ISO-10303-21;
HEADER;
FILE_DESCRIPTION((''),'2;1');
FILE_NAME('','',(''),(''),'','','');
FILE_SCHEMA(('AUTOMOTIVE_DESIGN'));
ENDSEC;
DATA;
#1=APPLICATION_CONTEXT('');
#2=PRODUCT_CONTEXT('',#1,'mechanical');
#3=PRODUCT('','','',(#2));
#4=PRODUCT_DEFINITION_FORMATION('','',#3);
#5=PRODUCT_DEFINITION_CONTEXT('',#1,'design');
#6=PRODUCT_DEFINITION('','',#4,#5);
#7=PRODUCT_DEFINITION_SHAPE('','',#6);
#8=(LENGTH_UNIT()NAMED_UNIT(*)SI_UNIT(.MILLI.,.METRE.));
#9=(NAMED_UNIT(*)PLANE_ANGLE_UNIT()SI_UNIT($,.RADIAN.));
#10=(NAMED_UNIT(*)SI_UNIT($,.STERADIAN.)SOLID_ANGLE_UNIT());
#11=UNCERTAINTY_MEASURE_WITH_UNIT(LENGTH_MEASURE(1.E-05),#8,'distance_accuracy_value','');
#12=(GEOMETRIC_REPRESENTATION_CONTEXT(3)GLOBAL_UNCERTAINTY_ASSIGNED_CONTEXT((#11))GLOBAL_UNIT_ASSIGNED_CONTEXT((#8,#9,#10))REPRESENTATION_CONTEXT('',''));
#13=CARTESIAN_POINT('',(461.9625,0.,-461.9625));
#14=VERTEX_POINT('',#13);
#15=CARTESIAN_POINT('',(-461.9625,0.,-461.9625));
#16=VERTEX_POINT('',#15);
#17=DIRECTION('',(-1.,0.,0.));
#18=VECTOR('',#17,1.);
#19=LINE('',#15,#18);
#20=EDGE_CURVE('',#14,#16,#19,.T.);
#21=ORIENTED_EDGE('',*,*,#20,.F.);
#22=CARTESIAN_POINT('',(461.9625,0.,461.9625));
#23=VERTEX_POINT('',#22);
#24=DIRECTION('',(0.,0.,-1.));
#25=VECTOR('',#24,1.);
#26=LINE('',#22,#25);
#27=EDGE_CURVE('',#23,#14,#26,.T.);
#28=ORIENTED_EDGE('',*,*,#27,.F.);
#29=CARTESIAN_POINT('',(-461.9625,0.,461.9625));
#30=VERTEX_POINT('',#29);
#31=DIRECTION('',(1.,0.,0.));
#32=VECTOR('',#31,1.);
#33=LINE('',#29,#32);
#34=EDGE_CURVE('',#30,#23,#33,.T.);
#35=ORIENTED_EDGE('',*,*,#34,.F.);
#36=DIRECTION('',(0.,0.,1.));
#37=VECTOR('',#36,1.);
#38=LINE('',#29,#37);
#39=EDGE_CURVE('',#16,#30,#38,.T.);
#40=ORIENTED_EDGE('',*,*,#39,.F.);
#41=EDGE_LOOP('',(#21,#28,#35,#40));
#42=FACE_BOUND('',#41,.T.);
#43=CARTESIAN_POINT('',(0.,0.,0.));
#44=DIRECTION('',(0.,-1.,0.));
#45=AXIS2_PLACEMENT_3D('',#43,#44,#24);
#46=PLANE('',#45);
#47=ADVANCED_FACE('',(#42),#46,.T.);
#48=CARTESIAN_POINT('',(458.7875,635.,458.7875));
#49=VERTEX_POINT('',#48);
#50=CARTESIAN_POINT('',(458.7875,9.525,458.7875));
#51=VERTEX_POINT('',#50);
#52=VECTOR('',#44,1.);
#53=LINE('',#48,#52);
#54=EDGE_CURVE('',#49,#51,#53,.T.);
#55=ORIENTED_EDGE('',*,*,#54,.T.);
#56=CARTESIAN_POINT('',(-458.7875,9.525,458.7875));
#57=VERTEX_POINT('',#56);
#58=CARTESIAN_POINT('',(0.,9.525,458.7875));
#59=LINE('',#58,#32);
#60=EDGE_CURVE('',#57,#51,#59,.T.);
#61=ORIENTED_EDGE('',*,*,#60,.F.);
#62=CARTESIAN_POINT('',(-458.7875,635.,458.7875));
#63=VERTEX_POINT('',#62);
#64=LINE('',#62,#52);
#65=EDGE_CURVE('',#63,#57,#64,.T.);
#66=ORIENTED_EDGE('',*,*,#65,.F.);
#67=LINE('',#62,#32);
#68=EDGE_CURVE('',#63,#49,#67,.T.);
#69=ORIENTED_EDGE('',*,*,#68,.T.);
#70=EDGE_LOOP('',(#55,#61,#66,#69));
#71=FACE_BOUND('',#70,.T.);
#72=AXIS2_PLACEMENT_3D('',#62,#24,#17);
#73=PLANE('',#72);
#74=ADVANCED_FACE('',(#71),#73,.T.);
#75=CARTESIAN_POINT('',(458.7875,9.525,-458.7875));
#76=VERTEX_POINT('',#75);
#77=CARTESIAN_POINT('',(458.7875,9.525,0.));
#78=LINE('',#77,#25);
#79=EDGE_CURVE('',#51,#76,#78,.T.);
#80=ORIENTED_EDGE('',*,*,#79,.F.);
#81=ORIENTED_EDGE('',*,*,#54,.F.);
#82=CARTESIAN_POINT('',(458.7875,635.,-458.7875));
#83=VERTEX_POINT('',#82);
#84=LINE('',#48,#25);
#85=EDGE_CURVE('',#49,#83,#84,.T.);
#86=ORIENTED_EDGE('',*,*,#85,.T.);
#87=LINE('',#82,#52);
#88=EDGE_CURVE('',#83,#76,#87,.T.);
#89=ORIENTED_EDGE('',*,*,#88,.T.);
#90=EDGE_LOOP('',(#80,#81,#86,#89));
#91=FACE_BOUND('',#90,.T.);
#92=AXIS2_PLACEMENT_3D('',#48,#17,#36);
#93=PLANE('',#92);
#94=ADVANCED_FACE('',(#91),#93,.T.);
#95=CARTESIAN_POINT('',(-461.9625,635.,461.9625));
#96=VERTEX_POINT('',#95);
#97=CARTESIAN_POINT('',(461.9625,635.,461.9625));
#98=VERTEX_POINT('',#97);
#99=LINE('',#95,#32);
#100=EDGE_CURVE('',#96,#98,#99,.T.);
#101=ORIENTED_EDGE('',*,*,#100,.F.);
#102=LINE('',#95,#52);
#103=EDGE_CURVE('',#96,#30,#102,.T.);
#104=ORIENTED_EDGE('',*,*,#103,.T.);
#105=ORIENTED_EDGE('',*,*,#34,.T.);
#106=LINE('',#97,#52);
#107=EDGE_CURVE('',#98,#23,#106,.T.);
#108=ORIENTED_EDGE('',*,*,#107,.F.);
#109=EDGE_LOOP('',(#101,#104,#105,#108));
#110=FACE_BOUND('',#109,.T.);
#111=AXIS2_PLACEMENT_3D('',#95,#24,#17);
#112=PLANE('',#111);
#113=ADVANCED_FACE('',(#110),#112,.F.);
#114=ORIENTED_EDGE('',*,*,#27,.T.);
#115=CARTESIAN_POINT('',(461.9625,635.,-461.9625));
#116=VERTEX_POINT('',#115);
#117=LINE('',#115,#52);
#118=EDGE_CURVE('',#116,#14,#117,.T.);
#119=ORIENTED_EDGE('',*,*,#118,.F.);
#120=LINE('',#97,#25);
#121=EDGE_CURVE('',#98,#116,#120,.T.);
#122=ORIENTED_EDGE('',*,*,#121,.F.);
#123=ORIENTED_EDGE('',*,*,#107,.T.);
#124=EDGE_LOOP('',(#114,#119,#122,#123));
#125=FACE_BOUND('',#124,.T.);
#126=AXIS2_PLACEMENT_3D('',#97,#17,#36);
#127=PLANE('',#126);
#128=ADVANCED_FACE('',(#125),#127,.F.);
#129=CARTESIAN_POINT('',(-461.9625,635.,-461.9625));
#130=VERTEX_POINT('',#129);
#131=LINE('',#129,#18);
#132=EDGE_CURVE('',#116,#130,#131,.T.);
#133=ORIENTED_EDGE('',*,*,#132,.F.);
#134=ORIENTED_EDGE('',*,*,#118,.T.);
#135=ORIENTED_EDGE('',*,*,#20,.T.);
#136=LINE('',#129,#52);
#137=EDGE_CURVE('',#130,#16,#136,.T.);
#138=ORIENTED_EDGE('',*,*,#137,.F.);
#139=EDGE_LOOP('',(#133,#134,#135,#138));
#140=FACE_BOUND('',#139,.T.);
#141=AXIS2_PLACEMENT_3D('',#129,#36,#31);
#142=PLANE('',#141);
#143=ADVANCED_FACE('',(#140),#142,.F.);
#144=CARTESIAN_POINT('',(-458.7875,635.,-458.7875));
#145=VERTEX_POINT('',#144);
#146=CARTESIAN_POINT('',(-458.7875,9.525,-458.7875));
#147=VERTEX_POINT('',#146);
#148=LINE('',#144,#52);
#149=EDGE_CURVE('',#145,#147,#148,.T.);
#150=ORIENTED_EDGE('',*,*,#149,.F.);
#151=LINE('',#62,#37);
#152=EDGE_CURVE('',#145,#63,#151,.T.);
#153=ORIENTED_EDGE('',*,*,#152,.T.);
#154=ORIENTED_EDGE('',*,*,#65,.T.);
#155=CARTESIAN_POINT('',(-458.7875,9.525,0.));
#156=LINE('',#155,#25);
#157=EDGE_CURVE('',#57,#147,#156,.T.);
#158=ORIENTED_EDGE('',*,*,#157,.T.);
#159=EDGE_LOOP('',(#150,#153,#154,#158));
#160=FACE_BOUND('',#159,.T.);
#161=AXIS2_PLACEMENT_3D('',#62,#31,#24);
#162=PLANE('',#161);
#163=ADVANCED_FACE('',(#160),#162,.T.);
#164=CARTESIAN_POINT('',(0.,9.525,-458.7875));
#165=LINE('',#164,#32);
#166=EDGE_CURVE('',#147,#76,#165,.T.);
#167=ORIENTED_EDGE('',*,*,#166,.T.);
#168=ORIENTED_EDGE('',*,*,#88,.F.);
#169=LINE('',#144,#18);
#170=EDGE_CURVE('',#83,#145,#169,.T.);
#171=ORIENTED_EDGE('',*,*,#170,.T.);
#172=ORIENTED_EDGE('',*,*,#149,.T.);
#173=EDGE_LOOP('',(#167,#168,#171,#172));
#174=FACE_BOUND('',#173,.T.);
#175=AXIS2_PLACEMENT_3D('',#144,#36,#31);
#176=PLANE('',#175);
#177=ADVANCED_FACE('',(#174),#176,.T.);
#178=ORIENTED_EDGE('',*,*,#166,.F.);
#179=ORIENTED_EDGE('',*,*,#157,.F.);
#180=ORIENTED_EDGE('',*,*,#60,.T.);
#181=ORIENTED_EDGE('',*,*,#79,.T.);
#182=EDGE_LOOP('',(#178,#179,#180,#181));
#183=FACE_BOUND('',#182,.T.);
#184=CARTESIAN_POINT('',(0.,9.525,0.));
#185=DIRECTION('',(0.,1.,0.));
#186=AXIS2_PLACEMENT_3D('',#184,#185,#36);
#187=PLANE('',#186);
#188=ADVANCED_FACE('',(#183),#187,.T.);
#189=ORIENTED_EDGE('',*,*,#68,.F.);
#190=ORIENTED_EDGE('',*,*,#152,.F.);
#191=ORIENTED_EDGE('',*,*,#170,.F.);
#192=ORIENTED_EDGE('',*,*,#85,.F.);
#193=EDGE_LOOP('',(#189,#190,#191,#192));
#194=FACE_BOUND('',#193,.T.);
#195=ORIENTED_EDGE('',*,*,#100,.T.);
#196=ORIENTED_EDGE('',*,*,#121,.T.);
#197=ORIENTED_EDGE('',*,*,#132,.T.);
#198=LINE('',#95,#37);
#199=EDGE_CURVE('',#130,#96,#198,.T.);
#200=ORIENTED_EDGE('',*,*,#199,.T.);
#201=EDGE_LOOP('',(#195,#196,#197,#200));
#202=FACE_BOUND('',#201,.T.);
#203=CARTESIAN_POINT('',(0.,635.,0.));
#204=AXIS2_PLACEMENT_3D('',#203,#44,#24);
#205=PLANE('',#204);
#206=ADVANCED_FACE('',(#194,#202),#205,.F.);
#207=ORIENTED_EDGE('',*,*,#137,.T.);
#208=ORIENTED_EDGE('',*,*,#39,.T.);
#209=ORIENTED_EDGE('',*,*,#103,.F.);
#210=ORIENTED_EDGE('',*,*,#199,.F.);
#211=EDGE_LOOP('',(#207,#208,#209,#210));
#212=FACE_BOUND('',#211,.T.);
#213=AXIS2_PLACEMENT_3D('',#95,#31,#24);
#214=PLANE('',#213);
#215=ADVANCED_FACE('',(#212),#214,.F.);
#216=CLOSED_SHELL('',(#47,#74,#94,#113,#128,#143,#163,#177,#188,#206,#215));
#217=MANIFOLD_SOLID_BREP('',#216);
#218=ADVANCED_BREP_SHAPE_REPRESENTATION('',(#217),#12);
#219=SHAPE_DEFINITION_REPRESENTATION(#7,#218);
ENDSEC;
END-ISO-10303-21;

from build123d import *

# Parameters (mm, degrees)
SKETCH1_W           = 923.925
SKETCH1_H           = 923.925
SKETCH1_W_2         = 917.575
SKETCH1_H_2         = 917.575
BOSS_EXTRUDE1_DEPTH = 635
SKETCH1_2_W         = 917.575
SKETCH1_2_H         = 917.575
BOSS_EXTRUDE2_DEPTH = 9.525


with BuildPart() as part:
    # Sketch1 → Boss-Extrude1 (new body)
    with BuildSketch(Plane(origin=(0, 0, 0), x_dir=(1, 0, 0), z_dir=(0, 1, 0))):
        Rectangle(SKETCH1_W, SKETCH1_H)
        Rectangle(SKETCH1_W_2, SKETCH1_H_2, mode=Mode.SUBTRACT)
    extrude(amount=BOSS_EXTRUDE1_DEPTH)

    # Sketch1<2> → Boss-Extrude2 (add)
    with BuildSketch(Plane(origin=(0, 0, 0), x_dir=(1, 0, 0), z_dir=(0, 1, 0))):
        Rectangle(SKETCH1_2_W, SKETCH1_2_H)
    extrude(amount=BOSS_EXTRUDE2_DEPTH)


solid = part.part
